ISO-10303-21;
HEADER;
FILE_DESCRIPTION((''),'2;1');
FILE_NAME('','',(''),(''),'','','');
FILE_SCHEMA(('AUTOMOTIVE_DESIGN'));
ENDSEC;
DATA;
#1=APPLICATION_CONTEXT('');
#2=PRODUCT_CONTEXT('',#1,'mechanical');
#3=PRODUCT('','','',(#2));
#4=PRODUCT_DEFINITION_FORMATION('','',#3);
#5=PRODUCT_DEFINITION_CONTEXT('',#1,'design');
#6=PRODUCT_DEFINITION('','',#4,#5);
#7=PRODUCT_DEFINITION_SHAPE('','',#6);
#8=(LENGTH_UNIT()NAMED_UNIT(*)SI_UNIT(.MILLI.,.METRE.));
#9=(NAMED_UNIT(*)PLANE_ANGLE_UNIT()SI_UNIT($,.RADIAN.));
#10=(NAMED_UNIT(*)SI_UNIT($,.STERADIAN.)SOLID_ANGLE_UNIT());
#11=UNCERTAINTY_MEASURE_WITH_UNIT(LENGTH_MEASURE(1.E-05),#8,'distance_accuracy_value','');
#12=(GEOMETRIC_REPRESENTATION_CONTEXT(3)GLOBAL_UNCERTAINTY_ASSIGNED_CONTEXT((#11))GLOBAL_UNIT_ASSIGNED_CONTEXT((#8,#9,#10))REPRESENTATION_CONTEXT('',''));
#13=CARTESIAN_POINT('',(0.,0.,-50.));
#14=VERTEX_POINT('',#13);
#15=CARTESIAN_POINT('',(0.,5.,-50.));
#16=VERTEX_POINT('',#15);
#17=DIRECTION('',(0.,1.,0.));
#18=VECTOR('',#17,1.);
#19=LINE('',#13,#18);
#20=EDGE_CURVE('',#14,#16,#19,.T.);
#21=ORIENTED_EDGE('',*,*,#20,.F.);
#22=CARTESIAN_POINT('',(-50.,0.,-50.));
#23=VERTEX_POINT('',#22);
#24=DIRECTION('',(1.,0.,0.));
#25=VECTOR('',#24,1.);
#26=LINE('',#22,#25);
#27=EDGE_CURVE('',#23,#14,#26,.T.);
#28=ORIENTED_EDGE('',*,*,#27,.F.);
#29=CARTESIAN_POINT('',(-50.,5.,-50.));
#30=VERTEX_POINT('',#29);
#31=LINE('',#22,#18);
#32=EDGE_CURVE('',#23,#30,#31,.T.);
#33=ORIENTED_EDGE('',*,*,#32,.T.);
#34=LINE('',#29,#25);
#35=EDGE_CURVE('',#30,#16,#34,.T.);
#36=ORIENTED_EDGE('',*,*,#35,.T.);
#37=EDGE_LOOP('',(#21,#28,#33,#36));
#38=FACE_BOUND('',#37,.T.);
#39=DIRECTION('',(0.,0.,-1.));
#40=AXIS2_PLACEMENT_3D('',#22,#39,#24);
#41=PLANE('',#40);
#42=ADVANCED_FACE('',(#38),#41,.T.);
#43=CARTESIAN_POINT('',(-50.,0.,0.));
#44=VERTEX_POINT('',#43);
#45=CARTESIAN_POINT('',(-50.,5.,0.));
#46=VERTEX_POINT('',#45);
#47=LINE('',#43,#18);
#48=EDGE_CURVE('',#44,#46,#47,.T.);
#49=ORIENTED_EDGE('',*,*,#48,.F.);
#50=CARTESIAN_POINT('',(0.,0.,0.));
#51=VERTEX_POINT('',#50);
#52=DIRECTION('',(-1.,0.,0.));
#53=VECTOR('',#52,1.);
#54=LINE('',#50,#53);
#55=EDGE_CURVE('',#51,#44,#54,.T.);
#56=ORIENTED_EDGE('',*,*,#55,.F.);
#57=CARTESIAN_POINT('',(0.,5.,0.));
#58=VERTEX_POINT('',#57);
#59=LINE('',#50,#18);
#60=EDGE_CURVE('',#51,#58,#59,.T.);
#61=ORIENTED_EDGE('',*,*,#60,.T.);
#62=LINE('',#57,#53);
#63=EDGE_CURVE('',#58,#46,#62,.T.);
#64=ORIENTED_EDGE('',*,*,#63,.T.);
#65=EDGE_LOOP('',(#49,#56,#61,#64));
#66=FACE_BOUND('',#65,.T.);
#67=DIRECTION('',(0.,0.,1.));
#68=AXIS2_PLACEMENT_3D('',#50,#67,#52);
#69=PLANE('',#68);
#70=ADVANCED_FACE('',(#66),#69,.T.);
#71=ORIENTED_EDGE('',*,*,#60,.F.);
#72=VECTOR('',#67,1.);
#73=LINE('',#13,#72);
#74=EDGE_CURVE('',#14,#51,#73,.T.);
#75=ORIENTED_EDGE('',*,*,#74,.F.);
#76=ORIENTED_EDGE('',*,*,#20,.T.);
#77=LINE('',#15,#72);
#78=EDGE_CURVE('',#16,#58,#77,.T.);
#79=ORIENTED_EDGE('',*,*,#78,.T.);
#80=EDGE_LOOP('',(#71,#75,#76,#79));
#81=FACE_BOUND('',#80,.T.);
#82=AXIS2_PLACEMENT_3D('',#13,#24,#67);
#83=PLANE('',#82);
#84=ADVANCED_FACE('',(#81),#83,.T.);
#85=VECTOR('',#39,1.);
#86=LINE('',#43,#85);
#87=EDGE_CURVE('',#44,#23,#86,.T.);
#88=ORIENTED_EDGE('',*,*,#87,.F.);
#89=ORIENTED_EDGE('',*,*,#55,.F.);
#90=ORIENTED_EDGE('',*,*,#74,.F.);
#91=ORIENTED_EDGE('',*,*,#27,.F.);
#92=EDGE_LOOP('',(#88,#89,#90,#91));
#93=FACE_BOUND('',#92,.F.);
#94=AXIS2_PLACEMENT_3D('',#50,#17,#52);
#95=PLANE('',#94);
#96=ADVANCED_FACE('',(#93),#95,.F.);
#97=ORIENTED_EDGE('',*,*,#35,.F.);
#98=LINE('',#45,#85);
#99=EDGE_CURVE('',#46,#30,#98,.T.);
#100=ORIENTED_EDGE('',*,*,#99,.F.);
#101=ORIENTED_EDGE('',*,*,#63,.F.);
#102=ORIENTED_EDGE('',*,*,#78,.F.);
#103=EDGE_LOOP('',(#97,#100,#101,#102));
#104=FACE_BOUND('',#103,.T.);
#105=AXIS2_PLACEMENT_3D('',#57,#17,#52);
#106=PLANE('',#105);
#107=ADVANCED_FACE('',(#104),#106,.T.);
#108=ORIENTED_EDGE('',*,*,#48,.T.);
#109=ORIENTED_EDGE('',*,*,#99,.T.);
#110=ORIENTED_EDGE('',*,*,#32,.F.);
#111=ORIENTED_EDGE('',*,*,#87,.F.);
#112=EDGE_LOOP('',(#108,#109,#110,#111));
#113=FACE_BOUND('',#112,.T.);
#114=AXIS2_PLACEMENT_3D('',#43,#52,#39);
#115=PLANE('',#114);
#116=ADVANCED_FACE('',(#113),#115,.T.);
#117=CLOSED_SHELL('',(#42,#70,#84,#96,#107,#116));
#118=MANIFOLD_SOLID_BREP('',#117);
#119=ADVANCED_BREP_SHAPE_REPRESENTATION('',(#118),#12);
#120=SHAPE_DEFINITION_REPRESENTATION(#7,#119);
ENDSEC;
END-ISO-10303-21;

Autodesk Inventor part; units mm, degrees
ref_plane "YZ Plane" through (0, 0, 0) normal (1, 0, 0) x (0, 1, 0)
ref_plane "XZ Plane" through (0, 0, 0) normal (0, 1, 0) x (-1, 0, 0)
ref_plane "XY Plane" through (0, 0, 0) normal (0, 0, 1) x (1, 0, 0)
sketch "Sketch1" plane through (0, 0, 0) normal (0, 1, 0) x (-1, 0, 0)
  line L0 (0, 0) -> (50, 0)
  line L1 (50, 0) -> (50, -50)
  line L2 (50, -50) -> (0, -50)
  line L3 (0, -50) -> (0, 0)
  dimension "d0" = 50
  dimension "d1" = 50
extrude "Extrusion1" add sketch "Sketch1" along normal blind 5
properties part number "cover shooting 222" material "ABS Plastic"
